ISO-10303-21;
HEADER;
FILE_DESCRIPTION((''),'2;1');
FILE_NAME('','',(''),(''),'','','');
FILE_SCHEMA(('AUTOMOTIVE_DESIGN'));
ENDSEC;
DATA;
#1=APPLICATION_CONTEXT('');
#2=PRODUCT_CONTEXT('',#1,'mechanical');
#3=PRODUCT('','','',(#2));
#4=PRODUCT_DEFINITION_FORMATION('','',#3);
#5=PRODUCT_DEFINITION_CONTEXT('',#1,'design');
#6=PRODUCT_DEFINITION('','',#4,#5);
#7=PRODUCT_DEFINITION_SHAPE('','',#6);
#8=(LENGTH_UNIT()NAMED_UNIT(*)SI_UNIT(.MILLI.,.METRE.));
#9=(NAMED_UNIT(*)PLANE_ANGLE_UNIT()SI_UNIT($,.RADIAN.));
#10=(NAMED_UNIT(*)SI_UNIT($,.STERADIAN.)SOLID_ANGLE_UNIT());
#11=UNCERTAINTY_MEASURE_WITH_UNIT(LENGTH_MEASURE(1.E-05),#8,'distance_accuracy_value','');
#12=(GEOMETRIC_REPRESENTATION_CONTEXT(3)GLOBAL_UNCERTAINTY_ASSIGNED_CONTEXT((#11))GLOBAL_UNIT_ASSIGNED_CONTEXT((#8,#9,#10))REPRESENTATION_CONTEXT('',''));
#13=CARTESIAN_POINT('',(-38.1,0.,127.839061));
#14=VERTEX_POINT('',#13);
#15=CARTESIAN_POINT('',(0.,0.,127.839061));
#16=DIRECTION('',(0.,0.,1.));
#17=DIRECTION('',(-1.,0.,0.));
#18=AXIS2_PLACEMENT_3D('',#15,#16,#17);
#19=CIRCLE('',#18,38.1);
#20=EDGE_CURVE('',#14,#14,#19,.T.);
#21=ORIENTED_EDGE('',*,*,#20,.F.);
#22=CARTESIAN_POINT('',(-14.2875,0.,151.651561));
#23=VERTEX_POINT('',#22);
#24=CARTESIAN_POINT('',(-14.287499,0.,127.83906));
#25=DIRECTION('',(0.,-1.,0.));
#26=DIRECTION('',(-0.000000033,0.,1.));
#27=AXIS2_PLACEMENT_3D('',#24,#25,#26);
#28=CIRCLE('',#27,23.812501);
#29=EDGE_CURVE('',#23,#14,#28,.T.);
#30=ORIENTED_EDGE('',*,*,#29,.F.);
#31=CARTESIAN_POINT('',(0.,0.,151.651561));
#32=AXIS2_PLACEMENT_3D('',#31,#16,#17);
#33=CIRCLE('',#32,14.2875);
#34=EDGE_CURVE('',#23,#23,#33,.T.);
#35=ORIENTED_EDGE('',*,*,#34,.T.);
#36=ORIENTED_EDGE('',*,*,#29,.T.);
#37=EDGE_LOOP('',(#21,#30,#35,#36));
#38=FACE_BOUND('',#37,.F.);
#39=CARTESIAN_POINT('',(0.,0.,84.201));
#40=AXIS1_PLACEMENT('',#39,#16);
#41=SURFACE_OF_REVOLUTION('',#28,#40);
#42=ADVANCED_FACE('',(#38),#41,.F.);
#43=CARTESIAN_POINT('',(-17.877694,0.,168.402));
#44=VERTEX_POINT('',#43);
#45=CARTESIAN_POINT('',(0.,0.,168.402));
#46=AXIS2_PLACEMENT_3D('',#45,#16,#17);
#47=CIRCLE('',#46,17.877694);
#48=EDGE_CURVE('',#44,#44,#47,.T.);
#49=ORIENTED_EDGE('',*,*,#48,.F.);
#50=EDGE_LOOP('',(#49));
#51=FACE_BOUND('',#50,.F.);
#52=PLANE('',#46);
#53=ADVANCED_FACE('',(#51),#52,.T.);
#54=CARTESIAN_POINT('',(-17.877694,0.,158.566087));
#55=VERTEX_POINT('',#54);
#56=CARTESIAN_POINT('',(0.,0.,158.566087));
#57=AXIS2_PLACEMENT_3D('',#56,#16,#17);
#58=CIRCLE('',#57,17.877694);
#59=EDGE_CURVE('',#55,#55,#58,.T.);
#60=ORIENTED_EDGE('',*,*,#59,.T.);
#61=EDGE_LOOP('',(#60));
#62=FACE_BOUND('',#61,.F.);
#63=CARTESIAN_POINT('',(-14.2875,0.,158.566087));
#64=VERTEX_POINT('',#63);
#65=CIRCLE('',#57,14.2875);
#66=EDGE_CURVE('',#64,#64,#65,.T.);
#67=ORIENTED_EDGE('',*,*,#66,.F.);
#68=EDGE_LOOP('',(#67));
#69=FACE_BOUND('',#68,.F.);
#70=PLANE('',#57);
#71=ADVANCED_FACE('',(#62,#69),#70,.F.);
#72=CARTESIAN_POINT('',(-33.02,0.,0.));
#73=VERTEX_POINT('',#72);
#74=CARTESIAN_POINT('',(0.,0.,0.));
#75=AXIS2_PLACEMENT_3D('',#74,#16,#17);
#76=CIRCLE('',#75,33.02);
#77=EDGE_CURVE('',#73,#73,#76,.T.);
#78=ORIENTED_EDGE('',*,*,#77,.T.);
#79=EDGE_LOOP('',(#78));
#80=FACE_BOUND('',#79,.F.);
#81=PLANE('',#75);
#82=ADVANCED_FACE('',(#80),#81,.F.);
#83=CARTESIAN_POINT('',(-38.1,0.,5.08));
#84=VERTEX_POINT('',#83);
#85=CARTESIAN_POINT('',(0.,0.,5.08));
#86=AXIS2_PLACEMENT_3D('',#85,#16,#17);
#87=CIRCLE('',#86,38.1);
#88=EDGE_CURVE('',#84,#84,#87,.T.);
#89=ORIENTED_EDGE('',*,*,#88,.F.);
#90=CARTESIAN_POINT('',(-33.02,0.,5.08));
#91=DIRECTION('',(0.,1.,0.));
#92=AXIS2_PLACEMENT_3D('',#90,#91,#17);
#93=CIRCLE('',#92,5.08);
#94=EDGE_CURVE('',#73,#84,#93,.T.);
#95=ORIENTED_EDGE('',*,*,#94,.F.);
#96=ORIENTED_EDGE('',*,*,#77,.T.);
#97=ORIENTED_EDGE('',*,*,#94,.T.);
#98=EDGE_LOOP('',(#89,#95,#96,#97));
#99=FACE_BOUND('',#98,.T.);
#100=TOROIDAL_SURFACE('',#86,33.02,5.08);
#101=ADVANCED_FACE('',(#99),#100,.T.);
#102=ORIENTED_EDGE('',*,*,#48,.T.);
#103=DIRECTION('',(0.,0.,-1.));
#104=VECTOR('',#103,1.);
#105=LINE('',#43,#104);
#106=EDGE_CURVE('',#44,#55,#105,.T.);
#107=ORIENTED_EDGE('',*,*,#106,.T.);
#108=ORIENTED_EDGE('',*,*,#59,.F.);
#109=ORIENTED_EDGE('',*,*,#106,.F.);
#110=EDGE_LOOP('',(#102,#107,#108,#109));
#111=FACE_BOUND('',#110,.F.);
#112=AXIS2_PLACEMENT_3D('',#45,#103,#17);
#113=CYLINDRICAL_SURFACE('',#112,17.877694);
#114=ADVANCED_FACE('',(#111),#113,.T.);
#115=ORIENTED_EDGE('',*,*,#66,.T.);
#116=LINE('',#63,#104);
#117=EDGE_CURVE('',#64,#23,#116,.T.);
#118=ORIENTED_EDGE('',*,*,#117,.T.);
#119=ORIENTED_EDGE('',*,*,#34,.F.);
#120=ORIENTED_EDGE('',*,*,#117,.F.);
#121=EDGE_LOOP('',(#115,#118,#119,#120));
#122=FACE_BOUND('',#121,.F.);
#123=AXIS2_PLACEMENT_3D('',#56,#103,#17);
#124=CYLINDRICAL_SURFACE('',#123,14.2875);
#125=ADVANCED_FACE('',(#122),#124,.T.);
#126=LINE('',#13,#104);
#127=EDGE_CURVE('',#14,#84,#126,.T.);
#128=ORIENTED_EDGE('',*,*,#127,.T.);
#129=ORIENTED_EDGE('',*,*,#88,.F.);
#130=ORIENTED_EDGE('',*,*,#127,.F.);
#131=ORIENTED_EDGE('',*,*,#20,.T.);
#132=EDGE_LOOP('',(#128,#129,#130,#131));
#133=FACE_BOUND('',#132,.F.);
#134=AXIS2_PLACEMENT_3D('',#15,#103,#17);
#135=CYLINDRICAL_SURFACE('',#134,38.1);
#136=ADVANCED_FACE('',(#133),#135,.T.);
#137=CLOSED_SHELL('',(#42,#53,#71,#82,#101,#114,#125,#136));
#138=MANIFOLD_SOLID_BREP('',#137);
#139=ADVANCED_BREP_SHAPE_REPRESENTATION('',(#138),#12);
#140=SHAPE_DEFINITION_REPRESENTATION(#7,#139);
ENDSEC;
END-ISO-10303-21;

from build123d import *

# Parameters (mm, degrees)
F2_R = 5.08


with BuildPart() as f1:
    # F0 (on Front) → F1 (revolve)
    with BuildSketch(Plane.XZ):
        with BuildLine():
            Line((-38.1, 0), (0, 0))
            Line((0, 0), (0, 168.402))
            Line((0, 168.402), (-17.877694, 168.402))
            Line((-17.877694, 168.402), (-17.877694, 158.566087))
            Line((-17.877694, 158.566087), (-14.2875, 158.566087))
            Line((-14.2875, 158.566087), (-14.2875, 151.651561))
            ThreePointArc((-14.2875, 151.651561), (-31.12548, 144.677041), (-38.1, 127.839061))
            Line((-38.1, 127.839061), (-38.1, 0))
        make_face()
    revolve(axis=Axis((0, 0, 84.201), (0, 0, 1)))

    # F2
    f2_edges = [f1.edges().sort_by_distance(p)[0] for p in [
        (38.1, 0, 0),
    ]]
    fillet(f2_edges, radius=F2_R)


solid = f1.part
